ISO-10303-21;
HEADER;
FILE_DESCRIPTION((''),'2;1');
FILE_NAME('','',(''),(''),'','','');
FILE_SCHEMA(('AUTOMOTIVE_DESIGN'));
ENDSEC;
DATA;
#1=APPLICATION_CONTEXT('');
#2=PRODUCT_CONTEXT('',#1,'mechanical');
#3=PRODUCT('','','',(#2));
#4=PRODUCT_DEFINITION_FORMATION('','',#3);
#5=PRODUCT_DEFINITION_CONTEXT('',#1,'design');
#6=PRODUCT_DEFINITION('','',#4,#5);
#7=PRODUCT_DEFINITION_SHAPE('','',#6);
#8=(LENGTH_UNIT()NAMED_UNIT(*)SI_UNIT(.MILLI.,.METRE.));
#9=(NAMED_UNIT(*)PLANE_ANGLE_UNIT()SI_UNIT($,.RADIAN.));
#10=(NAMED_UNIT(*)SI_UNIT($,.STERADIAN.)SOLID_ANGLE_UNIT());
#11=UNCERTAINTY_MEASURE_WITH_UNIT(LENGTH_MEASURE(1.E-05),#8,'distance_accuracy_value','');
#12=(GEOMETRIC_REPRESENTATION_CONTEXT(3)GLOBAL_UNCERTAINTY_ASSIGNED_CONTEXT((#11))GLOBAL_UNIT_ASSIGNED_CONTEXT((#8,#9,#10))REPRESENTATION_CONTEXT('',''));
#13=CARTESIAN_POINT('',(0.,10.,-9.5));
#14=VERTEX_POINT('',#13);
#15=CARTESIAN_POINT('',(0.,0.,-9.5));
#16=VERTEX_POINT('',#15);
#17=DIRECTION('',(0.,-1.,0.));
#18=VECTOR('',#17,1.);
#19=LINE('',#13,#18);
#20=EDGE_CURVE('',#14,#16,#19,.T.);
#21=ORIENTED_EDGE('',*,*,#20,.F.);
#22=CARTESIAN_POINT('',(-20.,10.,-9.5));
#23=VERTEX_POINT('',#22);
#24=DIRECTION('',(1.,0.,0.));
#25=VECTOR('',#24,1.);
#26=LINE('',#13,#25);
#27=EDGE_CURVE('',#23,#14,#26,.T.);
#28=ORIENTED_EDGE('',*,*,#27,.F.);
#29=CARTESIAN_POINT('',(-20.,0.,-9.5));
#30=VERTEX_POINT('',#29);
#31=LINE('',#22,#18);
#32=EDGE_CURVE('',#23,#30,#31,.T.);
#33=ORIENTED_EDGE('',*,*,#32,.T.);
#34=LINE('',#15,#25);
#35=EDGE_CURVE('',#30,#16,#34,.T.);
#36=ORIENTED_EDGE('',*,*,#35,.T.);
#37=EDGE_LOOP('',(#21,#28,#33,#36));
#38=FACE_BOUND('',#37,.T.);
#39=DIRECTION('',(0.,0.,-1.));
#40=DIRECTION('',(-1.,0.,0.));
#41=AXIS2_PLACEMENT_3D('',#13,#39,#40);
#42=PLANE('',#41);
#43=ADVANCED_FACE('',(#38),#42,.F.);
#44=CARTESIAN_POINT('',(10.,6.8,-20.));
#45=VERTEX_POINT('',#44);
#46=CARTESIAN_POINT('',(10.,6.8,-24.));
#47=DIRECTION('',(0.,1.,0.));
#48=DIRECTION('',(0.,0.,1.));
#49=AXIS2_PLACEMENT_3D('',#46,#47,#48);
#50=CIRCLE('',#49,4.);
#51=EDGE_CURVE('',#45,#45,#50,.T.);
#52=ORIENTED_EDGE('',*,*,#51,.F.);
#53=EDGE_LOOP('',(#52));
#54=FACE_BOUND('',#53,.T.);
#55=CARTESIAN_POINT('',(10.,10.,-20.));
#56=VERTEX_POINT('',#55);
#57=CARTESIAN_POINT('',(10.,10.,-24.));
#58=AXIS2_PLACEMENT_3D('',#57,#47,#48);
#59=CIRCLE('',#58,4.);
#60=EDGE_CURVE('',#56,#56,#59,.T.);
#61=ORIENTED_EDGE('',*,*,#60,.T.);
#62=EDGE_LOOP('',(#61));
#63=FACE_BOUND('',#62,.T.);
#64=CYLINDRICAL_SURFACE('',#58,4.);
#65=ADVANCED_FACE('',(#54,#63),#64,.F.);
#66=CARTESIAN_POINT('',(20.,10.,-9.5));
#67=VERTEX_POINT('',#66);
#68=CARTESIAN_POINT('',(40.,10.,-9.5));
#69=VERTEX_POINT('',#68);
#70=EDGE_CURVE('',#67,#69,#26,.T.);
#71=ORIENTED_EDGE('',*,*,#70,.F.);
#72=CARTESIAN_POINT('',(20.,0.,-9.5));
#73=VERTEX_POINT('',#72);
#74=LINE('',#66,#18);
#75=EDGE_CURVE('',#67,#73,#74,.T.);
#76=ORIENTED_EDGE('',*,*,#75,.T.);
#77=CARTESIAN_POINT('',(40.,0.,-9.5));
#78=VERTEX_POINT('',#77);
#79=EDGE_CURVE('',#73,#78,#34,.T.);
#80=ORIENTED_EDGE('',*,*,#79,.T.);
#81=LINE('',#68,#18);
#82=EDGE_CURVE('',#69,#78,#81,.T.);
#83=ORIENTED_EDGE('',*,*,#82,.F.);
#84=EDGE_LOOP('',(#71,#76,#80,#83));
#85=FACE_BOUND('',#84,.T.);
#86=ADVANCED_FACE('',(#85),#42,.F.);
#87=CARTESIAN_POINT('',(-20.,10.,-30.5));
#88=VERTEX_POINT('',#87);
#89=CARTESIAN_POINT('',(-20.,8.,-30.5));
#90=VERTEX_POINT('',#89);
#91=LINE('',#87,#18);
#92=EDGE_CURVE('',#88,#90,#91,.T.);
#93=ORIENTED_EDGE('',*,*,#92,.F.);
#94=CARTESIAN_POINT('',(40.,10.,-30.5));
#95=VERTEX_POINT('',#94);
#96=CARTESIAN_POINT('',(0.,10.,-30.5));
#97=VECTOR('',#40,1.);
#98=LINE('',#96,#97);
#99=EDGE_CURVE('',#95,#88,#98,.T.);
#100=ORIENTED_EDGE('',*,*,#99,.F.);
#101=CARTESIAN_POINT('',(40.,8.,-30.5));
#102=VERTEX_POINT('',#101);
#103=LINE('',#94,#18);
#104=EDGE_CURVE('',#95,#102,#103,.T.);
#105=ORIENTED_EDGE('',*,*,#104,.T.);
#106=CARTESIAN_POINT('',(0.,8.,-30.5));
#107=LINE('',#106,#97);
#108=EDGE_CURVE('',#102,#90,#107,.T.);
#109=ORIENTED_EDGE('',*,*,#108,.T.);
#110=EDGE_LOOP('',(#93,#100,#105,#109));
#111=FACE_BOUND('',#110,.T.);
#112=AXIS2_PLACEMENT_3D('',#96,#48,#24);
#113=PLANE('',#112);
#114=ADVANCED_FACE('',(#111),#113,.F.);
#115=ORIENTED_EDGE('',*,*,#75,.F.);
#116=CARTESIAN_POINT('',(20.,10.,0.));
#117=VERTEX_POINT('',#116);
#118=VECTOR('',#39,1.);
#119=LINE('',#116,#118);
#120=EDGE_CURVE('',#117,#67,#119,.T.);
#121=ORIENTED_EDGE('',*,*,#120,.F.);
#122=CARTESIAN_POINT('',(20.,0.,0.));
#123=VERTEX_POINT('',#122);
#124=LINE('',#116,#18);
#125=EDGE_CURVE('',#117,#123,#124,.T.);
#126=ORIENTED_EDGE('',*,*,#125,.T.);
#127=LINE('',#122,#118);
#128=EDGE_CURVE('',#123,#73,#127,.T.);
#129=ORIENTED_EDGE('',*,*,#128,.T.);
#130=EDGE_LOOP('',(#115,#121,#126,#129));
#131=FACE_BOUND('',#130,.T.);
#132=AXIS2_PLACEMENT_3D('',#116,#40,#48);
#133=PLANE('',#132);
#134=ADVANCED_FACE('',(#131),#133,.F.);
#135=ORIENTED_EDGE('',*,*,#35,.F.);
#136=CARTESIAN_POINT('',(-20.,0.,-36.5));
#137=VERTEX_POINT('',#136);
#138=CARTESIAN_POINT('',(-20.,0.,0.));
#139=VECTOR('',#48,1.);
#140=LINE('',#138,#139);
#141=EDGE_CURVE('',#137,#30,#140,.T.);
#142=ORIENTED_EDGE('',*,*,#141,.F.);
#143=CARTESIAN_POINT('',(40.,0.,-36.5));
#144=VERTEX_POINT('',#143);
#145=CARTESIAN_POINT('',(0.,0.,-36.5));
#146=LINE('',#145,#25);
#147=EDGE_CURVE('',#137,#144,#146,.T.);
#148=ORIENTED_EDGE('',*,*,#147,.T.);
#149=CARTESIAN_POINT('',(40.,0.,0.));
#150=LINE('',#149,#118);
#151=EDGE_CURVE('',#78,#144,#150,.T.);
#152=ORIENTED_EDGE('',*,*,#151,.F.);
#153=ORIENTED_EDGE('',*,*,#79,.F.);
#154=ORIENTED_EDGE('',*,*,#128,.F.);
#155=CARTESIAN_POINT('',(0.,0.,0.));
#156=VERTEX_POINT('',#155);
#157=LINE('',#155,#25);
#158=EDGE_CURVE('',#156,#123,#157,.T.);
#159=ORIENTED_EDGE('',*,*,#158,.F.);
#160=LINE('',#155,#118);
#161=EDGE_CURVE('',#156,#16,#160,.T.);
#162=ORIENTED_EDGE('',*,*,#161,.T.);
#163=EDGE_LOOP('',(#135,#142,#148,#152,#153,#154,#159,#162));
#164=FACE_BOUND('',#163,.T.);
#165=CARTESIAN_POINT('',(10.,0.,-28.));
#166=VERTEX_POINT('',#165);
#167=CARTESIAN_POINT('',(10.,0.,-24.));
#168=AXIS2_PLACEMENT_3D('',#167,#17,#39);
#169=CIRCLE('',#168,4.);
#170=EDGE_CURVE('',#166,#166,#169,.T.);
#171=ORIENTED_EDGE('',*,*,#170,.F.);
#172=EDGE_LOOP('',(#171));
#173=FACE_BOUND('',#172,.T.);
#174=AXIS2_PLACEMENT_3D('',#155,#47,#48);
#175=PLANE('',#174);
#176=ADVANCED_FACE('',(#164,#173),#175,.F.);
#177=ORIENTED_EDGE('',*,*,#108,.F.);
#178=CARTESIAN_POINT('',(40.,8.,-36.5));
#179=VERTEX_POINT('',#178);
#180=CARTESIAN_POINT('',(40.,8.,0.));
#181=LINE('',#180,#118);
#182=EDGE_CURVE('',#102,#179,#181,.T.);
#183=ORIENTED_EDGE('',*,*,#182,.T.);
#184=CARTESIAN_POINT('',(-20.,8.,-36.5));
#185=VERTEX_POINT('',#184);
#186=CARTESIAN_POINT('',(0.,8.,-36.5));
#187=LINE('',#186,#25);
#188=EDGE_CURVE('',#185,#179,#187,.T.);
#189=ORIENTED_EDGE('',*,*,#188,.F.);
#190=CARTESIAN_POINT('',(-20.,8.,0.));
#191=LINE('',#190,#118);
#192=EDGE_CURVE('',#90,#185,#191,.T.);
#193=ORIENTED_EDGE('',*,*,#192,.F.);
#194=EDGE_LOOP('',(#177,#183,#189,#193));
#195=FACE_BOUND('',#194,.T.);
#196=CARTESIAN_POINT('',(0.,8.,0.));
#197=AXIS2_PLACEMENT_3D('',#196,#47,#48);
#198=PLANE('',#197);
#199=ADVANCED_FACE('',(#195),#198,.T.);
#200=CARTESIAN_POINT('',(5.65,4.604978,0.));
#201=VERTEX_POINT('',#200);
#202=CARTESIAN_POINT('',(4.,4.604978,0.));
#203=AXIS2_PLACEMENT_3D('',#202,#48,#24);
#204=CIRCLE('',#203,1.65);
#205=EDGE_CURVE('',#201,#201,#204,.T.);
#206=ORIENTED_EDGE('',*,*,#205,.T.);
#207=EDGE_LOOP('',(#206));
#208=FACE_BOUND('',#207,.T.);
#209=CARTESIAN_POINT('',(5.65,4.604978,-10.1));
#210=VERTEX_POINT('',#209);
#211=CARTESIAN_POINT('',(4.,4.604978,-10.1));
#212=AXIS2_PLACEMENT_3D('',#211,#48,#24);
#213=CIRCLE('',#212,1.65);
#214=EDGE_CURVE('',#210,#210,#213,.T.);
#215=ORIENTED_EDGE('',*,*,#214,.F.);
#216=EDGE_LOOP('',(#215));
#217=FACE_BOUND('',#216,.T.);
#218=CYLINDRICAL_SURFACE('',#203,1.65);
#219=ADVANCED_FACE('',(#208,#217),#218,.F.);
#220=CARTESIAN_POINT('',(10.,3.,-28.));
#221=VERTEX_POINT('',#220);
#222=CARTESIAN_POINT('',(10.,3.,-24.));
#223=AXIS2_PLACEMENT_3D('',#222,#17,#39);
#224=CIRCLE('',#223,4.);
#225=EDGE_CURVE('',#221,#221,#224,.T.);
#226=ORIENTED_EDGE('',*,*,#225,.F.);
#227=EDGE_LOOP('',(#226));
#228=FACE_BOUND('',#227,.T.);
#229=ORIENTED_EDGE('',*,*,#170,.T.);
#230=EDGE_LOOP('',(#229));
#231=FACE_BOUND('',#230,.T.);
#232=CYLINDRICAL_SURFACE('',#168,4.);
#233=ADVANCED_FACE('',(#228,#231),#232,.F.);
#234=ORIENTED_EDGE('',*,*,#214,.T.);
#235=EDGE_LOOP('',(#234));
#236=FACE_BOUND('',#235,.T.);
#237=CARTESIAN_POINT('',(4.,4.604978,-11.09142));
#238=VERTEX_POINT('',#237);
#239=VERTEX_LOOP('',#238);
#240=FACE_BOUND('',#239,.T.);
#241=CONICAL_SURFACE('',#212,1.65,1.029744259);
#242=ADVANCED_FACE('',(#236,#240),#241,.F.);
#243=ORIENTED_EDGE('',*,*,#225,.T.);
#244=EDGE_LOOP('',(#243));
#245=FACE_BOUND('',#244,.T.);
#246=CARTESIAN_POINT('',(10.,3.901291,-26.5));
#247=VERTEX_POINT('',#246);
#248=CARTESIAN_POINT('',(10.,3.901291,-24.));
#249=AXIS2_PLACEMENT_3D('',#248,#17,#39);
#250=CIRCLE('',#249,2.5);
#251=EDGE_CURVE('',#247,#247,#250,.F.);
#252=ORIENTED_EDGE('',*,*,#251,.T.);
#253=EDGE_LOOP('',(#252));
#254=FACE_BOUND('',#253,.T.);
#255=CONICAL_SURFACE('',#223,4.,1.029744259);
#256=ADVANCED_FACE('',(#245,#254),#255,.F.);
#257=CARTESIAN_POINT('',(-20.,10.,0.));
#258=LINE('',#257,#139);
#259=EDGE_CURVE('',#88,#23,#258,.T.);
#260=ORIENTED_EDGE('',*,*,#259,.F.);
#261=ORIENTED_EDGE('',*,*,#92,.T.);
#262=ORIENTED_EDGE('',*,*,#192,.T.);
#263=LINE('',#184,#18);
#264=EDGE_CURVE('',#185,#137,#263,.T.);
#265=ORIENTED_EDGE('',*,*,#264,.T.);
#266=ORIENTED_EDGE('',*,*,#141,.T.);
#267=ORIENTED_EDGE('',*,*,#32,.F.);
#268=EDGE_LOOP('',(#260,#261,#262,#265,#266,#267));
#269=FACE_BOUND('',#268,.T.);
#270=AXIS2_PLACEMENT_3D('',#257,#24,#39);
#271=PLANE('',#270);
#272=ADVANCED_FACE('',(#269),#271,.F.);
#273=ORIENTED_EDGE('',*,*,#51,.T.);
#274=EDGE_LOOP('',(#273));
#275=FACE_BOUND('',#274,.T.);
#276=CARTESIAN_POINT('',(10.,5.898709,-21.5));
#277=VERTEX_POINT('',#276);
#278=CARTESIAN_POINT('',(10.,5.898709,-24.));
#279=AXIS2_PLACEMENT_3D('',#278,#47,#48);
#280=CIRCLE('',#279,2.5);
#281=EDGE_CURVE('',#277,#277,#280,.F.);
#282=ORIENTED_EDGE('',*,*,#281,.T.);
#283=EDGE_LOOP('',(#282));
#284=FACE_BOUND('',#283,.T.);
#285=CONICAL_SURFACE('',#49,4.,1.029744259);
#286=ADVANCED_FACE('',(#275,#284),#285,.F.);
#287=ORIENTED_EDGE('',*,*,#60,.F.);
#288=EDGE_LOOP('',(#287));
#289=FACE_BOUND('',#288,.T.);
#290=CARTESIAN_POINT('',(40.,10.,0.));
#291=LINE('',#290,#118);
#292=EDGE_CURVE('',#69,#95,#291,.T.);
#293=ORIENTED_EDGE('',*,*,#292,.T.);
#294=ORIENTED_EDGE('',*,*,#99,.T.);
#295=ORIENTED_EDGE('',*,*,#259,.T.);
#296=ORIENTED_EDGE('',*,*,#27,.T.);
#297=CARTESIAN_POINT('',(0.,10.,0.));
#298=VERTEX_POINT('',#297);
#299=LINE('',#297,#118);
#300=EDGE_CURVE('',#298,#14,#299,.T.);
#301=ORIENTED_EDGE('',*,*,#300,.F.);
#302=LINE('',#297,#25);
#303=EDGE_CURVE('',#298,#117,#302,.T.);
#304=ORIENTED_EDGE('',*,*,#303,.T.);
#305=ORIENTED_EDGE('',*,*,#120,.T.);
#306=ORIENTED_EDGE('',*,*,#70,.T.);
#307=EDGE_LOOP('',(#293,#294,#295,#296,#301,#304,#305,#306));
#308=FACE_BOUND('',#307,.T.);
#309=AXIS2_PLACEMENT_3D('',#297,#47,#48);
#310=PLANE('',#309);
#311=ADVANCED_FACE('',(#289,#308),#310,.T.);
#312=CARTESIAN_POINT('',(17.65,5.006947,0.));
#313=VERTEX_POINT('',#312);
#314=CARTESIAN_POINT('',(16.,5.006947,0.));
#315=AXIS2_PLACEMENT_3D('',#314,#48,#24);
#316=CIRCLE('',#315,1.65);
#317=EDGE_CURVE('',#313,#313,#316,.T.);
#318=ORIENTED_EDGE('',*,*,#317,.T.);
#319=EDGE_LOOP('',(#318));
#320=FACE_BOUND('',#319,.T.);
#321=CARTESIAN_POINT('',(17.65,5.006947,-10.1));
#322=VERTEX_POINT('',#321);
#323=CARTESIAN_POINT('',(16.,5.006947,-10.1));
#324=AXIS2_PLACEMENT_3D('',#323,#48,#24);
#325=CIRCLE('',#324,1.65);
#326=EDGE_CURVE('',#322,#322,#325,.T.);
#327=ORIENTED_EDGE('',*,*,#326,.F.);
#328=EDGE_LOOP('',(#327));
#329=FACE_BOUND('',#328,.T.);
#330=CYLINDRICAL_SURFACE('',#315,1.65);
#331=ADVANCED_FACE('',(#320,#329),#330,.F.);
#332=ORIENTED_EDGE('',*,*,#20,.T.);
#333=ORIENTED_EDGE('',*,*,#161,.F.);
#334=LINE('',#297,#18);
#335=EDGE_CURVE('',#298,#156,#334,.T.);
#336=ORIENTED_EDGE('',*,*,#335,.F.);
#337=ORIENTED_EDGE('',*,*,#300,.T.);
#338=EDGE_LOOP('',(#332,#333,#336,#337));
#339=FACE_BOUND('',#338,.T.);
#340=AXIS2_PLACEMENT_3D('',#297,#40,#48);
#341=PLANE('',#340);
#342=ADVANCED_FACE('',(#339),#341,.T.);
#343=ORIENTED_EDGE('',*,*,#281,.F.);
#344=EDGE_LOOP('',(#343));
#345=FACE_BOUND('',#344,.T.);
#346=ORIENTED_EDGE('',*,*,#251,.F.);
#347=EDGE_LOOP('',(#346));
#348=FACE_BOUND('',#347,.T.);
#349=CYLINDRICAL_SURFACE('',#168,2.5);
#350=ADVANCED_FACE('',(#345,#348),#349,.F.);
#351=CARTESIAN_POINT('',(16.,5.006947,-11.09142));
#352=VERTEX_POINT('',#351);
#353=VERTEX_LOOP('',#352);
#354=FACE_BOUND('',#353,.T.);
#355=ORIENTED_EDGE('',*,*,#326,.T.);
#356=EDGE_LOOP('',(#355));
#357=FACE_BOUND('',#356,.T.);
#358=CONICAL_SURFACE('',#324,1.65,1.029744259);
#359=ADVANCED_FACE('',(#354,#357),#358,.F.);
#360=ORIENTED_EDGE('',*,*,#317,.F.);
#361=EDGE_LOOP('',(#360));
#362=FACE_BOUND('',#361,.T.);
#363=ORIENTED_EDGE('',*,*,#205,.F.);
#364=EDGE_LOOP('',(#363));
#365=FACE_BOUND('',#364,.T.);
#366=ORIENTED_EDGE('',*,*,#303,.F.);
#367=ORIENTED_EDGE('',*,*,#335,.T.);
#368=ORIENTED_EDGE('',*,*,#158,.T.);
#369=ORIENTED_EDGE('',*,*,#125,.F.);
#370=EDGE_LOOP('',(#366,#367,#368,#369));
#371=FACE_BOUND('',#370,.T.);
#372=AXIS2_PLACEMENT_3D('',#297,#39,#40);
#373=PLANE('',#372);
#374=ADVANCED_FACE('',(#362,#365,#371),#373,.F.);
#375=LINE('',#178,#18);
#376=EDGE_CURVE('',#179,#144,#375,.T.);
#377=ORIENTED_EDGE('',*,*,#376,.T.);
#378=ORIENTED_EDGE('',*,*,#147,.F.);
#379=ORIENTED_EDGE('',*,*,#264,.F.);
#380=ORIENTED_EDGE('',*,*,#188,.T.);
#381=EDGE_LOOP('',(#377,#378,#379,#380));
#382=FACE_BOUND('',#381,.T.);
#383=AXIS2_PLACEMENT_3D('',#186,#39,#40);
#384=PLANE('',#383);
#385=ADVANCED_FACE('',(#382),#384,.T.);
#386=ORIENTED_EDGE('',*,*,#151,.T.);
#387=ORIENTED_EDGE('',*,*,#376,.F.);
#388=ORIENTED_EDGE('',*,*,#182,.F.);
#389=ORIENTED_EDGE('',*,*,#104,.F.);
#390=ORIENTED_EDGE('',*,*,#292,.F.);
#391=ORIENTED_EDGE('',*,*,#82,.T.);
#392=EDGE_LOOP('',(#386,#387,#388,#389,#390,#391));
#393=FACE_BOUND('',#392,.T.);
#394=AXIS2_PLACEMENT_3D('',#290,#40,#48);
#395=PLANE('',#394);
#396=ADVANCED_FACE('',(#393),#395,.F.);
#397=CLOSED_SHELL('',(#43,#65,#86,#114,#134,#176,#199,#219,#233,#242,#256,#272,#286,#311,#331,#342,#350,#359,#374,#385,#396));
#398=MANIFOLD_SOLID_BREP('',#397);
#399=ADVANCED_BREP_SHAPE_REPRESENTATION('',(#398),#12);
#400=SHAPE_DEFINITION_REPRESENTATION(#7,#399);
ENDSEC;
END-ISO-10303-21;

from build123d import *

# Parameters (mm, degrees)
BOSS_EXTRUDE5_DEPTH                 = 10
SKETCH2_8_W                         = 60
SKETCH2_8_H                         = 6
BOSS_EXTRUDE6_DEPTH                 = 8
F_8_0MM_CLEARANCE_DOWEL_HOLE1_D     = 8
F_8_0MM_CLEARANCE_DOWEL_HOLE1_DEPTH = 3.2
F_8_0MM_CLEARANCE_DOWEL_HOLE1_TIP   = 2.403442476
F_8_0MM_CLEARANCE_DOWEL_HOLE2_D     = 8
F_8_0MM_CLEARANCE_DOWEL_HOLE2_DEPTH = 3
F_8_0MM_CLEARANCE_DOWEL_HOLE2_TIP   = 2.403442476
F_5_0MM_CLEARANCE_DOWEL_HOLE5_D     = 5
M4_TAPPED_HOLE1_D                   = 3.3
M4_TAPPED_HOLE1_DEPTH               = 10.1
M4_TAPPED_HOLE1_TIP                 = 0.991420021
M4_TAPPED_HOLE2_D                   = 3.3
M4_TAPPED_HOLE2_DEPTH               = 10.1
M4_TAPPED_HOLE2_TIP                 = 0.991420021


with BuildPart() as part:
    # Sketch2 → Boss-Extrude5 (new body)
    with BuildSketch(Plane(origin=(0, 0, 0), x_dir=(1, 0, 0), z_dir=(0, 1, 0))):
        Polygon((40, 30.5), (-20, 30.5), (-20, 9.5), (0, 9.5), (0, 0), (20, 0), (20, 9.5), (40, 9.5), align=None)
    extrude(amount=BOSS_EXTRUDE5_DEPTH)

    # Sketch2<8> → Boss-Extrude6 (add)
    with BuildSketch(Plane(origin=(0, 0, 0), x_dir=(1, 0, 0), z_dir=(0, 1, 0))):
        with Locations((10, 33.5)):
            Rectangle(SKETCH2_8_W, SKETCH2_8_H)
    extrude(amount=BOSS_EXTRUDE6_DEPTH)

    # Ø8.0mm Clearance Dowel Hole1
    with Locations(Plane(origin=(0, 10, 0), x_dir=(1, 0, 0), z_dir=(0, 1, 0))):
        with Locations((10, 24)):
            Hole(F_8_0MM_CLEARANCE_DOWEL_HOLE1_D / 2, depth=F_8_0MM_CLEARANCE_DOWEL_HOLE1_DEPTH)
            with Locations((0, 0, -(F_8_0MM_CLEARANCE_DOWEL_HOLE1_DEPTH + F_8_0MM_CLEARANCE_DOWEL_HOLE1_TIP / 2))):  # 118° drill point
                Cone(0, F_8_0MM_CLEARANCE_DOWEL_HOLE1_D / 2, F_8_0MM_CLEARANCE_DOWEL_HOLE1_TIP, mode=Mode.SUBTRACT)

    # Ø8.0mm Clearance Dowel Hole2
    with Locations(Plane(origin=(0, 0, 0), x_dir=(-1, 0, 0), z_dir=(0, -1, 0))):
        with Locations((-10, 24)):
            Hole(F_8_0MM_CLEARANCE_DOWEL_HOLE2_D / 2, depth=F_8_0MM_CLEARANCE_DOWEL_HOLE2_DEPTH)
            with Locations((0, 0, -(F_8_0MM_CLEARANCE_DOWEL_HOLE2_DEPTH + F_8_0MM_CLEARANCE_DOWEL_HOLE2_TIP / 2))):  # 118° drill point
                Cone(0, F_8_0MM_CLEARANCE_DOWEL_HOLE2_D / 2, F_8_0MM_CLEARANCE_DOWEL_HOLE2_TIP, mode=Mode.SUBTRACT)

    # Ø5.0mm Clearance Dowel Hole5 (through all)
    with Locations(Plane(origin=(0, 0, 0), x_dir=(-1, 0, 0), z_dir=(0, -1, 0))):
        with Locations((-10, 24)):
            Hole(F_5_0MM_CLEARANCE_DOWEL_HOLE5_D / 2)

    # M4 Tapped Hole1
    with Locations(Plane.XY):
        with Locations((4, 4.604977991)):
            Hole(M4_TAPPED_HOLE1_D / 2, depth=M4_TAPPED_HOLE1_DEPTH)
            with Locations((0, 0, -(M4_TAPPED_HOLE1_DEPTH + M4_TAPPED_HOLE1_TIP / 2))):  # 118° drill point
                Cone(0, M4_TAPPED_HOLE1_D / 2, M4_TAPPED_HOLE1_TIP, mode=Mode.SUBTRACT)

    # M4 Tapped Hole2
    with Locations(Plane.XY):
        with Locations((16, 5.006947279)):
            Hole(M4_TAPPED_HOLE2_D / 2, depth=M4_TAPPED_HOLE2_DEPTH)
            with Locations((0, 0, -(M4_TAPPED_HOLE2_DEPTH + M4_TAPPED_HOLE2_TIP / 2))):  # 118° drill point
                Cone(0, M4_TAPPED_HOLE2_D / 2, M4_TAPPED_HOLE2_TIP, mode=Mode.SUBTRACT)


solid = part.part
